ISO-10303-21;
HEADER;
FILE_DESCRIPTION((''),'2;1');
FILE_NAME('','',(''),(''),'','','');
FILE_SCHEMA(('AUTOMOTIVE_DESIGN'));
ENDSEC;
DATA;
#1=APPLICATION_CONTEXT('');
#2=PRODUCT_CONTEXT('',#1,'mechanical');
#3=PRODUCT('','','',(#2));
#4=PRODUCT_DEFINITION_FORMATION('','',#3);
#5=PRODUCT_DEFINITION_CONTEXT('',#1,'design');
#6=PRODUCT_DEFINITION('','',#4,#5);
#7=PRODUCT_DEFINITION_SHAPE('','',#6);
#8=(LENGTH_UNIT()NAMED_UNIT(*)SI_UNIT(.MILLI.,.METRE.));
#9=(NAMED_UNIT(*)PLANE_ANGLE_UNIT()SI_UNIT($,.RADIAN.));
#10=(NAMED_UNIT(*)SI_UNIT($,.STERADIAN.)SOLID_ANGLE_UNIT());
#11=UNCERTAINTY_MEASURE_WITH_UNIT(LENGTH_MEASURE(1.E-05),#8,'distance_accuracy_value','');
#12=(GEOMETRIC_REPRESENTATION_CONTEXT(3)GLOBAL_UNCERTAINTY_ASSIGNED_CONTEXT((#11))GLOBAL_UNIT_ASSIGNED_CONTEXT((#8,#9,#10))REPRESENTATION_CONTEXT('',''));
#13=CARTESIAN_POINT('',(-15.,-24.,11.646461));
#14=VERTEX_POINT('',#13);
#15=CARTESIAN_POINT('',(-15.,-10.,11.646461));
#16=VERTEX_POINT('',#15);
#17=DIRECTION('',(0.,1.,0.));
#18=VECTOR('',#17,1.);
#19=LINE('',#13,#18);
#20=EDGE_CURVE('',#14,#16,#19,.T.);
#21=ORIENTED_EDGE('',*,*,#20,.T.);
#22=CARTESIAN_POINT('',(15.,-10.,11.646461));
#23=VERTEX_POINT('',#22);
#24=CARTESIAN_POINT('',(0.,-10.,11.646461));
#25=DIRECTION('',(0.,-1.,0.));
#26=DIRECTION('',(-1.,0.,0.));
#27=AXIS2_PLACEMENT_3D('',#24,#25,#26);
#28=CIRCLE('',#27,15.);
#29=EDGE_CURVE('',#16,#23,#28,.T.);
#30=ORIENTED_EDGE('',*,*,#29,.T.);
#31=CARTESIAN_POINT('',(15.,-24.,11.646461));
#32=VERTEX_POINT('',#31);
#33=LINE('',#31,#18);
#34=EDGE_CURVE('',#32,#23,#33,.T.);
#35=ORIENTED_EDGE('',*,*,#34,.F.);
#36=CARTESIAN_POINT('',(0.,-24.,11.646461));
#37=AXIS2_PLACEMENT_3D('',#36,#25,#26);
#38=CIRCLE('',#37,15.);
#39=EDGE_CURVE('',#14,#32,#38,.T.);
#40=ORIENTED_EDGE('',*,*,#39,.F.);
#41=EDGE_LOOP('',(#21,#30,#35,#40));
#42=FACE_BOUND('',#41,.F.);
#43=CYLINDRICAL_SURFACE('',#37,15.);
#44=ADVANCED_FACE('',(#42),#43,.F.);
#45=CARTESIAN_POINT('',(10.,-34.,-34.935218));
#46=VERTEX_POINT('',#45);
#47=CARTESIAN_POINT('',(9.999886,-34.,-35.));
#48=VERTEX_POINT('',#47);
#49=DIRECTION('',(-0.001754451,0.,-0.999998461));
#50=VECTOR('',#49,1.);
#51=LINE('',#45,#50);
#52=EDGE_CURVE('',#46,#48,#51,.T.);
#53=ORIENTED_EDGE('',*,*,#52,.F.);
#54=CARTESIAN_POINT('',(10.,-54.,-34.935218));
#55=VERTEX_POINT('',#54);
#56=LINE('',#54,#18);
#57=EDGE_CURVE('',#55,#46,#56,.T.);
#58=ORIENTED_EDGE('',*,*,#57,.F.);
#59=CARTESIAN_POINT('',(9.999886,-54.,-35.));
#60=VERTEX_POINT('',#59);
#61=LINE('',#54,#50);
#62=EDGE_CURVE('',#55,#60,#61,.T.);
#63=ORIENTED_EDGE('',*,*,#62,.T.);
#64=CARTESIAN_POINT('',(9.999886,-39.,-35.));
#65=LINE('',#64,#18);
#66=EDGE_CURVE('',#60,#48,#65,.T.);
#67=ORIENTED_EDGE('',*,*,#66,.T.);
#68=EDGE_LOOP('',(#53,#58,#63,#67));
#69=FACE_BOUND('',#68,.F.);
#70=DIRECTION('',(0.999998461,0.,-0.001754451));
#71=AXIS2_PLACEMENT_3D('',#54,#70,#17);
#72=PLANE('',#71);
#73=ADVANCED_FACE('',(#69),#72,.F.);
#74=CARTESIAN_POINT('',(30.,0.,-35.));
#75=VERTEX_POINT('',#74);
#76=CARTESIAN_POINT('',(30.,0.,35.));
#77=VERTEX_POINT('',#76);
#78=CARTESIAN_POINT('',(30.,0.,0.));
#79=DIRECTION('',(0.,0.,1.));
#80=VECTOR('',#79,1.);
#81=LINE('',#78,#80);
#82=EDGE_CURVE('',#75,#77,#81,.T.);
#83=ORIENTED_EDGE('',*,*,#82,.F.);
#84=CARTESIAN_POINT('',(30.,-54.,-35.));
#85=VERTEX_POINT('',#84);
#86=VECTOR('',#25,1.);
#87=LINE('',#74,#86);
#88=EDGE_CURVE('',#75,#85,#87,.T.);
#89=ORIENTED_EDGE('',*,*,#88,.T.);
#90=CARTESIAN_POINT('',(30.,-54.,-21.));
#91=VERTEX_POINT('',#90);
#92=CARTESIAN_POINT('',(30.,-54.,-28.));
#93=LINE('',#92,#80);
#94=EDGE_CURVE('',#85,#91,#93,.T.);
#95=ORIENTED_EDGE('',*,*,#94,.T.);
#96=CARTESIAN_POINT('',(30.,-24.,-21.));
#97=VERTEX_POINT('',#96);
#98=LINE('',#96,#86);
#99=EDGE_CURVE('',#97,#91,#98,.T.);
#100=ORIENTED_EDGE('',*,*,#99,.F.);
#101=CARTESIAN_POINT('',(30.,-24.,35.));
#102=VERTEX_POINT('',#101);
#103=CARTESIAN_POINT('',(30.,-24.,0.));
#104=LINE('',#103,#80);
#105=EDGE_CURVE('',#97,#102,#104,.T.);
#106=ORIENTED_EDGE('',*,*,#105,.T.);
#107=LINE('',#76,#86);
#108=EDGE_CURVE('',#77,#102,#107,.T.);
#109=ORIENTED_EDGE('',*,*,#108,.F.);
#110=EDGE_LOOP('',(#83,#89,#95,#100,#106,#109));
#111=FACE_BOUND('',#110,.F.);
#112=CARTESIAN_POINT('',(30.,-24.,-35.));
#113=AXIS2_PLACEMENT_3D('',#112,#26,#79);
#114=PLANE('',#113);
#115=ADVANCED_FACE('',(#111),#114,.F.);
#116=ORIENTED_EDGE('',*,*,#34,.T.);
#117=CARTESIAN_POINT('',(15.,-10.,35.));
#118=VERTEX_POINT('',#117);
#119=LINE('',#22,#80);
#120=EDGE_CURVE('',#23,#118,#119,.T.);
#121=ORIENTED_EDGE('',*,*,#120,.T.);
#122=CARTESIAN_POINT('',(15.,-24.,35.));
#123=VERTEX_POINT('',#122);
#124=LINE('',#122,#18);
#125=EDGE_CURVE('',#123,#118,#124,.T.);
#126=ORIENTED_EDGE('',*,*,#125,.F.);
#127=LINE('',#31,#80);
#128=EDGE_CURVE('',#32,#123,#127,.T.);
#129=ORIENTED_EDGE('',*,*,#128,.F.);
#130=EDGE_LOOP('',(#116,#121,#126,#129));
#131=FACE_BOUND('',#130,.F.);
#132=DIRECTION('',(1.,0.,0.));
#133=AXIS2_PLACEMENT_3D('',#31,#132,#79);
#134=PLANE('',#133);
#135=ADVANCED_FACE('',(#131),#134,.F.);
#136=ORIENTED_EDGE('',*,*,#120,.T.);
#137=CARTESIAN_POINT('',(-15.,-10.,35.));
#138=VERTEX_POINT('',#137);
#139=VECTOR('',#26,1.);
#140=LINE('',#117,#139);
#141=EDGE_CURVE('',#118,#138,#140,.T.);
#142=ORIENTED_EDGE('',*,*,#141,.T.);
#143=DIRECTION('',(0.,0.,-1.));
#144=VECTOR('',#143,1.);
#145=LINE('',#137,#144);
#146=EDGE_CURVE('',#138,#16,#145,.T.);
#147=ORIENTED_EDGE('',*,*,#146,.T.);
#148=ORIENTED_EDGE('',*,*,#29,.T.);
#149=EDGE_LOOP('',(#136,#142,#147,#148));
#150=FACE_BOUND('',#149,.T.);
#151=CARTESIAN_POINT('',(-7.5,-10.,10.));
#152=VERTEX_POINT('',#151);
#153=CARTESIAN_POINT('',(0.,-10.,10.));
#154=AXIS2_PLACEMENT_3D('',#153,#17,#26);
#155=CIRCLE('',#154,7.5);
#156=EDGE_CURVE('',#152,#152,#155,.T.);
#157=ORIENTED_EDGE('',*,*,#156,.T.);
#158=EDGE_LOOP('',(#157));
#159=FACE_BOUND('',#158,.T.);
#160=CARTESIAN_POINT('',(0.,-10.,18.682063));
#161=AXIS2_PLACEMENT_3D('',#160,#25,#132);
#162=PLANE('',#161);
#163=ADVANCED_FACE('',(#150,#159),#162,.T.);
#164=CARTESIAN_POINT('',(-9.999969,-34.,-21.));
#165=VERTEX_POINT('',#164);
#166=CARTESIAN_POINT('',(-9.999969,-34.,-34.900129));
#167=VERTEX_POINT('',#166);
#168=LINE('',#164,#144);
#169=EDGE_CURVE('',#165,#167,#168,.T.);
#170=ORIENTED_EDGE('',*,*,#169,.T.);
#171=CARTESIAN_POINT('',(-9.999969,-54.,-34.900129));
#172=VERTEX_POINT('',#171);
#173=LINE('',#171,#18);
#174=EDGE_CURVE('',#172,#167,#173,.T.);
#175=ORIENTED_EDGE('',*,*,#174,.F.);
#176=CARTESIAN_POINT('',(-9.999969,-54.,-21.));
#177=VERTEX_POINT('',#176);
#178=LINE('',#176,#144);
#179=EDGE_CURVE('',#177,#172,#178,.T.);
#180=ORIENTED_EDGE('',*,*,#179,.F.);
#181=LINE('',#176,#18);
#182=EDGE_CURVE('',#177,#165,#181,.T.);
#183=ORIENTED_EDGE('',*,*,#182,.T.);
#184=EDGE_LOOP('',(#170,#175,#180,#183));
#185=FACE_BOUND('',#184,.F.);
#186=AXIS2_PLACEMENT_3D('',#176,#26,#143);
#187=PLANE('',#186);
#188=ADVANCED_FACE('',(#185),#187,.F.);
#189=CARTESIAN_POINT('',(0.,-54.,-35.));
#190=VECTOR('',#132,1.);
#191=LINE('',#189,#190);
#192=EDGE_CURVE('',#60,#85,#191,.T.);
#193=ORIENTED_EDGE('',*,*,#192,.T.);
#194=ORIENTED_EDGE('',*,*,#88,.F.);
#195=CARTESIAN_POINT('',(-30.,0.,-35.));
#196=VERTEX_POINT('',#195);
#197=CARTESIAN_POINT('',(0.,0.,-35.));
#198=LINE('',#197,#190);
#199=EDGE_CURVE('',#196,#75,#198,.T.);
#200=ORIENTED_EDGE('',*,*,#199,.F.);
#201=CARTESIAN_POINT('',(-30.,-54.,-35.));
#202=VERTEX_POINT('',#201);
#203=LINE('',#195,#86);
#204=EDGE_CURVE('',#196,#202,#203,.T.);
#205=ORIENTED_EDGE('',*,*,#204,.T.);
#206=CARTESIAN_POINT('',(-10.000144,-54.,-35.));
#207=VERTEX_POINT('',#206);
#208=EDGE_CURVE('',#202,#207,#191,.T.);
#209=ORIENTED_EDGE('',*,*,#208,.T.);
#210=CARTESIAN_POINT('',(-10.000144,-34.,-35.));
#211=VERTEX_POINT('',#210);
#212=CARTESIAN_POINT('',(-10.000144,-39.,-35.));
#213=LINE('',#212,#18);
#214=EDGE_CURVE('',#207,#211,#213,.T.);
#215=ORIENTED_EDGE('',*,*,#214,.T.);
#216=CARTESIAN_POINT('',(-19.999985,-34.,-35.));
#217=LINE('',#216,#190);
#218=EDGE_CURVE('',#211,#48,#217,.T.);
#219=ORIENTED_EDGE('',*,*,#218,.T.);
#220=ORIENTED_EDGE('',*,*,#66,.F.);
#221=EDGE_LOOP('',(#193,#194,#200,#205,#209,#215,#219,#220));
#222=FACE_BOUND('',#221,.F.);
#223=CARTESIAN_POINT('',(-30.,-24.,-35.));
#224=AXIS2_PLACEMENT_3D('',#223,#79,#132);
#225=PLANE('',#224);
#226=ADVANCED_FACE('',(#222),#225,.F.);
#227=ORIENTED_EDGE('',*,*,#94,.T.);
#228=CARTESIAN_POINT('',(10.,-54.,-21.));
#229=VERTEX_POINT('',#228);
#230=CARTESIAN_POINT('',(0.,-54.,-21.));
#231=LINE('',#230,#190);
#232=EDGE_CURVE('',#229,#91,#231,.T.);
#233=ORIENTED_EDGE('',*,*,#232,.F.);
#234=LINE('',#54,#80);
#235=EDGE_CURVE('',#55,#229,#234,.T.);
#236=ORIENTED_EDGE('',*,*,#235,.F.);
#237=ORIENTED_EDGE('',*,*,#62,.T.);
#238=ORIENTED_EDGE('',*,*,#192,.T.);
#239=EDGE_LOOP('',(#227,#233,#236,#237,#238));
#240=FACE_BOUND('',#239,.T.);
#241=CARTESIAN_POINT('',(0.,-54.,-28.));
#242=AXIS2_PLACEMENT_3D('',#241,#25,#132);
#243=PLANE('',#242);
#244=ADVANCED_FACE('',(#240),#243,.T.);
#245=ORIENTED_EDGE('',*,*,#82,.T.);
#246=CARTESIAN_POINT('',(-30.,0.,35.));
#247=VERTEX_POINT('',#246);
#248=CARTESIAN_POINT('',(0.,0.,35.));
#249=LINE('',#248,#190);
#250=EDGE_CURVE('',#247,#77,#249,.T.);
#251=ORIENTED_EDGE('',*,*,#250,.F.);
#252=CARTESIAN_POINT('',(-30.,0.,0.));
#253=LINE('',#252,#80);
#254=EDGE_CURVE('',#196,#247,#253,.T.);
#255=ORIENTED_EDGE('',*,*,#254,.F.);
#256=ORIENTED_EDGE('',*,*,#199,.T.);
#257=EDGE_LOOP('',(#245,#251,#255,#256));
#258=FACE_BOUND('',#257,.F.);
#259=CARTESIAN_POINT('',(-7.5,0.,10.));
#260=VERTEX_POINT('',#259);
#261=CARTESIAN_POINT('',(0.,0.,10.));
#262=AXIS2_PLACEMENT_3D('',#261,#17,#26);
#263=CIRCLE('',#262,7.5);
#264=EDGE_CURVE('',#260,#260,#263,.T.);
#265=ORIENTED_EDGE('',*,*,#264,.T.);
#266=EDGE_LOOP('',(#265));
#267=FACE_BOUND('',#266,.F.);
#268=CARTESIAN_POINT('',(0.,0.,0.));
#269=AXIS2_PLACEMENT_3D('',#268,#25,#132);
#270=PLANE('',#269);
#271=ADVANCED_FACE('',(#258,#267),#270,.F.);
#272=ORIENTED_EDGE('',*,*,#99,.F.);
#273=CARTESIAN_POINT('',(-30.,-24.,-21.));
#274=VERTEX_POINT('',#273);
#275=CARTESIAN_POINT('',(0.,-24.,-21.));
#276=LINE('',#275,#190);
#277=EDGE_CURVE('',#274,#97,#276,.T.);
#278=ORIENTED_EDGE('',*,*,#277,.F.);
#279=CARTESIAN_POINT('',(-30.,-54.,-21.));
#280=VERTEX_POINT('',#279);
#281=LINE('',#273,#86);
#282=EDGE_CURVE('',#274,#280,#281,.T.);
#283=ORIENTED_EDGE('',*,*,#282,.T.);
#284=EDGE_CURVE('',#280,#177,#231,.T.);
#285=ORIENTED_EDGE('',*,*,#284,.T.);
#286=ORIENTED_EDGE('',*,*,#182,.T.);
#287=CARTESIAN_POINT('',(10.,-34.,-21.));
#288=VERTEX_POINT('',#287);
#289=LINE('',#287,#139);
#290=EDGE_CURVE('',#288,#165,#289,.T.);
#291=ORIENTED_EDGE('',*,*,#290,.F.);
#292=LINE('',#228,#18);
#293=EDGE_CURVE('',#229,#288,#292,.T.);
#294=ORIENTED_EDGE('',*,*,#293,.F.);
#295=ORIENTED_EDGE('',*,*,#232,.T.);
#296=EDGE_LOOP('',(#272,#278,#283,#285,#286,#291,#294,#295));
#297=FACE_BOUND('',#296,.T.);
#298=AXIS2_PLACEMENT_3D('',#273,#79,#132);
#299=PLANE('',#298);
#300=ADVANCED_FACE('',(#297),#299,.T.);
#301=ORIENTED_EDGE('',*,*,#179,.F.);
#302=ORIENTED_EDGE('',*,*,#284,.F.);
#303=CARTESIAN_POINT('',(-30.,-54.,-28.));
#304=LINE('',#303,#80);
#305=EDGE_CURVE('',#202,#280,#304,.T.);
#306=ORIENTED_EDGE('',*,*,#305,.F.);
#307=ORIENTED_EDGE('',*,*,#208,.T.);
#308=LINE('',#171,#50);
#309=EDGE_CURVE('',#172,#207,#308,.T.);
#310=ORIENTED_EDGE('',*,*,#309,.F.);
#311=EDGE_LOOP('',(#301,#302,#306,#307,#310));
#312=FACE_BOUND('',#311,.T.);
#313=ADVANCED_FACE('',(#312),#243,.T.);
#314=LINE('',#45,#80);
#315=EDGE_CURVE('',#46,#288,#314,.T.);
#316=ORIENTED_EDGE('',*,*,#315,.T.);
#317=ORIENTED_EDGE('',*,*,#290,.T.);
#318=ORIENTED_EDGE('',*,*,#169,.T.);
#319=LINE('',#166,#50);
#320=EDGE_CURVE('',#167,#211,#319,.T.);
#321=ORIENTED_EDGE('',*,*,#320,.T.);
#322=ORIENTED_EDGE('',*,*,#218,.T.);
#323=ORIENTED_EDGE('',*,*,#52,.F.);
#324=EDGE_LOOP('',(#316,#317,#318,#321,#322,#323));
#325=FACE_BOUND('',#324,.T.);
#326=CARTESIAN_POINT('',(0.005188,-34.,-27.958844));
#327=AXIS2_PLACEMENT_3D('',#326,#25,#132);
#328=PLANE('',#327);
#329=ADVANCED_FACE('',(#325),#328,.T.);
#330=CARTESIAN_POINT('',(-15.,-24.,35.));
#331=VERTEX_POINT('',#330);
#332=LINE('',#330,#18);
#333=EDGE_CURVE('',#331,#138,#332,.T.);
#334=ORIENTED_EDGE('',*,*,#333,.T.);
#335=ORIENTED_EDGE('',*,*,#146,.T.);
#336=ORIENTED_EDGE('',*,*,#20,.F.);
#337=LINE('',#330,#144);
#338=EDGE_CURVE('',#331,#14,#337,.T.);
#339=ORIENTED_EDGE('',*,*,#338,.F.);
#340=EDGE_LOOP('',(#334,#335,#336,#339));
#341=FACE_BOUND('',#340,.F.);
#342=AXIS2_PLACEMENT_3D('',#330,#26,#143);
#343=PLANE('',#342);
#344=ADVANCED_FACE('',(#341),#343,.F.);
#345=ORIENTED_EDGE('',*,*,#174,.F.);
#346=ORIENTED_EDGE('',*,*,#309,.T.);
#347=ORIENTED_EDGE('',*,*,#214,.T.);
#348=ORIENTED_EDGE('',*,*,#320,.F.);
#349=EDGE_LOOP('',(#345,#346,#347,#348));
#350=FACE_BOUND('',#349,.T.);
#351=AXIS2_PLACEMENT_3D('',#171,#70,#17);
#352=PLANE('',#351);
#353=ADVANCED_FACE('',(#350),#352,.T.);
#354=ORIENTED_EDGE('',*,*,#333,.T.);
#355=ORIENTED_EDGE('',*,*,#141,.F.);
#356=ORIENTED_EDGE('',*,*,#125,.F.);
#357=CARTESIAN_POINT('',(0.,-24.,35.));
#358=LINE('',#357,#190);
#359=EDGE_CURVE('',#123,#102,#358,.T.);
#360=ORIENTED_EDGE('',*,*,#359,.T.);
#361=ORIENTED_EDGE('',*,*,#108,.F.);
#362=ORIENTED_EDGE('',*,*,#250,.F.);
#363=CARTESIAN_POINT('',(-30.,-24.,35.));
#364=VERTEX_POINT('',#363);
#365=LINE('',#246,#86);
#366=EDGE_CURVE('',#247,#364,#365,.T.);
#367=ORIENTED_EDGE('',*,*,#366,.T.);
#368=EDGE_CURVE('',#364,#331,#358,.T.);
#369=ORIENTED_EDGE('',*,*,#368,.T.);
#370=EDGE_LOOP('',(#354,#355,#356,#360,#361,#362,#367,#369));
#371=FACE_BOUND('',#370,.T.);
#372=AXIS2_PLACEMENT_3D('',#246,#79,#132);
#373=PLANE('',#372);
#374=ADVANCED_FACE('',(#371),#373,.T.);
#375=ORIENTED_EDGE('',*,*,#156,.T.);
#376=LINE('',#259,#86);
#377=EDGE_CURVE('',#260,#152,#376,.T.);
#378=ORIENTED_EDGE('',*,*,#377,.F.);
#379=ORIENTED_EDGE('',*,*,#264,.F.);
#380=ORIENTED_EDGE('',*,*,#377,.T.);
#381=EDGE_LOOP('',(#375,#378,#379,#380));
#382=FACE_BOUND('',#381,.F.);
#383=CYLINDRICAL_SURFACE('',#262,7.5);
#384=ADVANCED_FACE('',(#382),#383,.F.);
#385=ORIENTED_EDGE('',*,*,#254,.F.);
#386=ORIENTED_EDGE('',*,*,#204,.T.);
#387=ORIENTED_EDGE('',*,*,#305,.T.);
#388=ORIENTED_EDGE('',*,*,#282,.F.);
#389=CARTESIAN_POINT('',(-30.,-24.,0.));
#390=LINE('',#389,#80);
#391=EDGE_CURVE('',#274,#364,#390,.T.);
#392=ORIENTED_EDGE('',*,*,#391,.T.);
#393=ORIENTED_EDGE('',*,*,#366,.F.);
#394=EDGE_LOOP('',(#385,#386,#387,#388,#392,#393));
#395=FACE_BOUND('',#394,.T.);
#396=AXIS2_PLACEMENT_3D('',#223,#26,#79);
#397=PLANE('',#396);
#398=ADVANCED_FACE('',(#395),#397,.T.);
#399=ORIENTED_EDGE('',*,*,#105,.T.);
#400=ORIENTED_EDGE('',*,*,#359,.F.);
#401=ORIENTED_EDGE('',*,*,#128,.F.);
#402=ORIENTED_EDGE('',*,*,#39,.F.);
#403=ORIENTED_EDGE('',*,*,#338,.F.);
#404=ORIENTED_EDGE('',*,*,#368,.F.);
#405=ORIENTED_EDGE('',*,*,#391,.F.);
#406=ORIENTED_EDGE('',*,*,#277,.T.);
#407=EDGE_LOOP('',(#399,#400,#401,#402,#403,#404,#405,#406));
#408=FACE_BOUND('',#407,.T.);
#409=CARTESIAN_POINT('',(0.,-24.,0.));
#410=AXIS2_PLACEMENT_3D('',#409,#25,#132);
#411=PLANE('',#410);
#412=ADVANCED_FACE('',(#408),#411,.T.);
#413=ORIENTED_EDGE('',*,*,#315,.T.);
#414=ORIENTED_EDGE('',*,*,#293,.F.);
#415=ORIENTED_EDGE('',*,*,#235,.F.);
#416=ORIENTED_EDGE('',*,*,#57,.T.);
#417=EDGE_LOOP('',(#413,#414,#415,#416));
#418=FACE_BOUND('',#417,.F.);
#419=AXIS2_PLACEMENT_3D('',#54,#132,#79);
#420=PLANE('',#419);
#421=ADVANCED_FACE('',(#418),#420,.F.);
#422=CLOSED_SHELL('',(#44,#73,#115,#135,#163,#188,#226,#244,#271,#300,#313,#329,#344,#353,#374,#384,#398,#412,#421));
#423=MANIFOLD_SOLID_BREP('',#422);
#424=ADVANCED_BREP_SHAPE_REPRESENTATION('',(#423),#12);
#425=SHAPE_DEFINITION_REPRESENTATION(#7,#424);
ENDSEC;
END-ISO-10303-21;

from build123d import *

# Parameters (mm, degrees)
F0_W      = 60
F0_H      = 70
F1_DEPTH  = 24
F3_DEPTH  = 14
F4_R      = 7.5
F5_DEPTH  = 24.001
F6_W      = 60
F6_H      = 14
F7_DEPTH  = 30
F10_DEPTH = 20
F11_DEPTH = 0.1359600746


with BuildPart() as f1:
    # F0 (on Front) → F1 (new body)
    with BuildSketch(Plane.XZ):
        Rectangle(F0_W, F0_H)
    extrude(amount=F1_DEPTH)

    # F2 (on face) → F3 (cut)
    with BuildSketch(Plane.XZ.offset(24)):
        with BuildLine():
            Line((15, 35), (-15, 35))
            Line((-15, 35), (-15, 11.6464606471))
            ThreePointArc((-15, 11.6464606471), (0, -3.3535393529), (15, 11.6464606471))
            Line((15, 11.6464606471), (15, 35))
        make_face()
    extrude(amount=-F3_DEPTH, mode=Mode.SUBTRACT)

    # F4 (on face) → F5 (cut, through all)
    with BuildSketch(Plane(origin=(0, 0, 0), x_dir=(-1, 0, 0), z_dir=(0, 1, 0))):
        with Locations((0, 10)):
            Circle(F4_R)
    extrude(amount=-F5_DEPTH, mode=Mode.SUBTRACT)

    # F6 (on face) → F7 (join)
    with BuildSketch(Plane.XZ.offset(24)):
        with Locations((0, -28)):
            Rectangle(F6_W, F6_H)
    extrude(amount=F7_DEPTH)

    # F9 (on face) → F10 (cut)
    with BuildSketch(Plane.XZ.offset(54)):
        Polygon((10, -21), (-9.999969219, -21), (-9.999969219, -34.9001288414), (10, -34.9352178571), align=None)
    extrude(amount=-F10_DEPTH, mode=Mode.SUBTRACT)

    # F11 (cut, through all): a face of the model
    f11_faces = [f1.faces().sort_by_distance(p)[0] for p in [
        (1.53905e-05, -44, -34.9176733492),
    ]]
    extrude(f11_faces, amount=-F11_DEPTH, mode=Mode.SUBTRACT)


solid = f1.part
